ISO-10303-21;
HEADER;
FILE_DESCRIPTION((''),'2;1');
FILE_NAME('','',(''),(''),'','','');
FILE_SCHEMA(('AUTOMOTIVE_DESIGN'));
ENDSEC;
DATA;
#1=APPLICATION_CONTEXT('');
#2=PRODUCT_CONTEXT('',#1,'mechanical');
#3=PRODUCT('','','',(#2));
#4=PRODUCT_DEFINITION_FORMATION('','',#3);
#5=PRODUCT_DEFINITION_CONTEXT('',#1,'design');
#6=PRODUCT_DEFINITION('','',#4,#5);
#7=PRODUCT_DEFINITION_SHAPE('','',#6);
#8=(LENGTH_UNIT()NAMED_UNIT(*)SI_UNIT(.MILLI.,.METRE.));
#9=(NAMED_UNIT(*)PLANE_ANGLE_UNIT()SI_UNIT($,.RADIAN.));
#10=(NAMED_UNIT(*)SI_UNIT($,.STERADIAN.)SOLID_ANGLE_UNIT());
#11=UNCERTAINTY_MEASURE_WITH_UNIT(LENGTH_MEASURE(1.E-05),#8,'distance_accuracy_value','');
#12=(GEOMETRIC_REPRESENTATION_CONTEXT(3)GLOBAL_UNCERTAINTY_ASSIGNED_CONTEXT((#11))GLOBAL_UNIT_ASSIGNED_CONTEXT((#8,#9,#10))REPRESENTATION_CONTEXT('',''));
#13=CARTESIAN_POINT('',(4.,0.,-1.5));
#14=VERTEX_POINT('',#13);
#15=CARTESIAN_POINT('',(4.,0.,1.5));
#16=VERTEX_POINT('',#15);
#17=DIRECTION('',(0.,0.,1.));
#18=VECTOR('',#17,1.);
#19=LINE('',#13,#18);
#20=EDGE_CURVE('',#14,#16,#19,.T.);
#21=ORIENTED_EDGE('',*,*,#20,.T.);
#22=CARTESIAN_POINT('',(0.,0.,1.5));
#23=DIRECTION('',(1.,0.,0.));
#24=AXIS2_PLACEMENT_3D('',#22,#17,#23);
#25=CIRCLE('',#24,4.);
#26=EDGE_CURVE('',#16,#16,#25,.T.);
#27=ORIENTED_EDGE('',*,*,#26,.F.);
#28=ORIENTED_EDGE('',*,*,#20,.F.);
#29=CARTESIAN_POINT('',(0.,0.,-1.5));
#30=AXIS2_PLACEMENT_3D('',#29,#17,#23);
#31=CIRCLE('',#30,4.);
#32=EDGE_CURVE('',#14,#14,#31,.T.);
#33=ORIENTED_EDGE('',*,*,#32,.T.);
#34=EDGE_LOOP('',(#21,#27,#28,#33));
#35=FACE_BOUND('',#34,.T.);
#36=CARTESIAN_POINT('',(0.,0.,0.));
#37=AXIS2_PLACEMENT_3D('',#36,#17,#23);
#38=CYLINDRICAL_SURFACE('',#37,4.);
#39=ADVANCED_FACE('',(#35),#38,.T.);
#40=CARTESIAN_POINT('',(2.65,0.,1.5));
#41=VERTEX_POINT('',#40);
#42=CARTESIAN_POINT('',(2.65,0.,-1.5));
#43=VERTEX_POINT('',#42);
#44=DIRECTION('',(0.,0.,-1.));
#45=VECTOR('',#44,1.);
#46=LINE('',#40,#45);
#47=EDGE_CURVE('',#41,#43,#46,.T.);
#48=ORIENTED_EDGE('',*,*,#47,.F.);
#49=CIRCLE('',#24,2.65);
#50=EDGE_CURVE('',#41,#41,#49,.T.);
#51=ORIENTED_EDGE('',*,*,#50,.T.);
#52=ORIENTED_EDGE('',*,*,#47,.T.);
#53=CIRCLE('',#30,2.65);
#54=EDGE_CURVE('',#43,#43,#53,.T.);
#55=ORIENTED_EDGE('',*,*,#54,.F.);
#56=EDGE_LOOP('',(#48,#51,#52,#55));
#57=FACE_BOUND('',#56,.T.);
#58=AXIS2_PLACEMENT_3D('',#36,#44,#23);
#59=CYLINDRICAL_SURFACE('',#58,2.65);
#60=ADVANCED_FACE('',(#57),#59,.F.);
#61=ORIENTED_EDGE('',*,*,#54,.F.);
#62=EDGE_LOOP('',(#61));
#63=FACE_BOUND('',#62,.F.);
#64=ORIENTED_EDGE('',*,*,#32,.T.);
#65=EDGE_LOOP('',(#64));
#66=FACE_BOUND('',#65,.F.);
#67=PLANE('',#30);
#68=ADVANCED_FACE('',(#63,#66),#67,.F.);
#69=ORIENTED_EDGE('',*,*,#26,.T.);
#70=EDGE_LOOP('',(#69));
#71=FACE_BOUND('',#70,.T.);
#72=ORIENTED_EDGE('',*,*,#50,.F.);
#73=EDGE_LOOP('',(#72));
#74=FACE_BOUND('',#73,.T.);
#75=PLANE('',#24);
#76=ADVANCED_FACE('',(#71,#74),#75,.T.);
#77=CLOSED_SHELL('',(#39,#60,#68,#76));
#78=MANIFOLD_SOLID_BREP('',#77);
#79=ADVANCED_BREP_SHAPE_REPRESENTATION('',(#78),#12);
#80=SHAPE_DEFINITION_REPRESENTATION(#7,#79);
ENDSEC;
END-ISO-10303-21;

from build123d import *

# Parameters (mm, degrees)
SKETCH1_R      = 4
SKETCH1_R_2    = 2.65
EXTRUDE1_DEPTH = 1.5


with BuildPart() as part:
    # Sketch1 → Extrude1 (new body, symmetric)
    with BuildSketch(Plane.XY):
        Circle(SKETCH1_R)
        Circle(SKETCH1_R_2, mode=Mode.SUBTRACT)
    extrude(amount=EXTRUDE1_DEPTH, both=True)


solid = part.part
